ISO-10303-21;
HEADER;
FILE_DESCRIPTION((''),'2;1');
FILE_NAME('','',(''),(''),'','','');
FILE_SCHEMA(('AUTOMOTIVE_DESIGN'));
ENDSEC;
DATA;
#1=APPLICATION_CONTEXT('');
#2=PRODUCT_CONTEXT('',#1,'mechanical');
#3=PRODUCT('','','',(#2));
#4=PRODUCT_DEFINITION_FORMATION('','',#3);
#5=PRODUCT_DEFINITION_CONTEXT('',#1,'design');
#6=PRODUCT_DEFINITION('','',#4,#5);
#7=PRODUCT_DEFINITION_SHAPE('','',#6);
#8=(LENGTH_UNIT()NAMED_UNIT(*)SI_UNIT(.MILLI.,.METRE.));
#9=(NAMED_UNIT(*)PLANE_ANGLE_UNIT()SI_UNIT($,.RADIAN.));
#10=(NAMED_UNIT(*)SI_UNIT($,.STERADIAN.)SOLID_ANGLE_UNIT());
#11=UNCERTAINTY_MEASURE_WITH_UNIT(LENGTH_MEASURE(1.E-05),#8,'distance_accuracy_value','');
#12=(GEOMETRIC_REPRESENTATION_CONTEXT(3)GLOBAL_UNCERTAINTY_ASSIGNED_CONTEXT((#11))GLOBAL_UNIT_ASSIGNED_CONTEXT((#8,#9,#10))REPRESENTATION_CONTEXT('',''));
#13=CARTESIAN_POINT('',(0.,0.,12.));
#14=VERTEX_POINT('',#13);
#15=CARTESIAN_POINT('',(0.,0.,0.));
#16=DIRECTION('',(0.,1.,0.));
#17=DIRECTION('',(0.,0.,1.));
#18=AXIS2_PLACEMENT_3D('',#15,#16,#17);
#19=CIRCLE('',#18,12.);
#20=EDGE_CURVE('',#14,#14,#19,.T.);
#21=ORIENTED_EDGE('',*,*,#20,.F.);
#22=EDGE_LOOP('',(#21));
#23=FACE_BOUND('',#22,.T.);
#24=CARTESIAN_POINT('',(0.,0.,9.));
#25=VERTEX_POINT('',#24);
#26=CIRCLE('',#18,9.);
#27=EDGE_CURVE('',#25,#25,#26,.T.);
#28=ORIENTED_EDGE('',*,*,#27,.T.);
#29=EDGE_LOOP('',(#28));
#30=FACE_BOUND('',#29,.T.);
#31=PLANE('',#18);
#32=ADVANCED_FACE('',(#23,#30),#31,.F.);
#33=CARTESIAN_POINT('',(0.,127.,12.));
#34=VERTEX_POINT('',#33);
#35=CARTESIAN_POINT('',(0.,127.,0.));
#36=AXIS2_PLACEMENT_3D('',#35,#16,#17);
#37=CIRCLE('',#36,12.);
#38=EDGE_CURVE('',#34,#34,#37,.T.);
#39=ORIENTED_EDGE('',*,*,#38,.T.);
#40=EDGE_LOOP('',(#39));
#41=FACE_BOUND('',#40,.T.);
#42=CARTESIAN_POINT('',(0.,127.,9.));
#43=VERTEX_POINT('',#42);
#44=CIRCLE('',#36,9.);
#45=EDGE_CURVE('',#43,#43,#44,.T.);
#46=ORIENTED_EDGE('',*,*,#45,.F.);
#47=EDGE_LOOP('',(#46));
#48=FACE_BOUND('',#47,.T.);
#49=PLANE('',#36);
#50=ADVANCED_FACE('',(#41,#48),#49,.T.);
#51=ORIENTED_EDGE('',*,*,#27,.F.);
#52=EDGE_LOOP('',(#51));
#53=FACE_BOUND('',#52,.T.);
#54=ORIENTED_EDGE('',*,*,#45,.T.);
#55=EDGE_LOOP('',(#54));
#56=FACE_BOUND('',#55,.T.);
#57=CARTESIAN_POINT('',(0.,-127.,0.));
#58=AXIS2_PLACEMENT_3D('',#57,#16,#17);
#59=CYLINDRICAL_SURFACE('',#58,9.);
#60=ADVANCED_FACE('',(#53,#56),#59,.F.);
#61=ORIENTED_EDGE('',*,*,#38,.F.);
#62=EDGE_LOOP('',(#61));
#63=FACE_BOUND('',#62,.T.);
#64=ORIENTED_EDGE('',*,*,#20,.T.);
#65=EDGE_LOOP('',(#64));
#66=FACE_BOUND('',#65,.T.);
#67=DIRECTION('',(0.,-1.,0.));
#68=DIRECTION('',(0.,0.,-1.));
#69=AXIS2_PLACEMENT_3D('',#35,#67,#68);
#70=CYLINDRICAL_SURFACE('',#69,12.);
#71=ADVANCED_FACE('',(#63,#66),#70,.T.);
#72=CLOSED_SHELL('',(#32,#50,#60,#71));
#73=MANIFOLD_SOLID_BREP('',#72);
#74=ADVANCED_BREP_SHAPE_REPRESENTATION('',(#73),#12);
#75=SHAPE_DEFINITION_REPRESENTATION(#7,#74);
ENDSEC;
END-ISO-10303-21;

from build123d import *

# Parameters (mm, degrees)
SKETCH1_R           = 12
BOSS_EXTRUDE1_DEPTH = 127
SKETCH2_R           = 9
CUT_EXTRUDE1_DEPTH  = 254


with BuildPart() as part:
    # Sketch1 → Boss-Extrude1 (new body)
    with BuildSketch(Plane(origin=(0, 0, 0), x_dir=(1, 0, 0), z_dir=(0, 1, 0))):
        with Locations(Location((0, 0, 0), (0, 0, 270))):
            Circle(SKETCH1_R)
    extrude(amount=BOSS_EXTRUDE1_DEPTH)

    # Sketch2 → Cut-Extrude1 (cut)
    with BuildSketch(Plane(origin=(0, 127, 0), x_dir=(1, 0, 0), z_dir=(0, 1, 0))):
        with Locations(Location((0, 0, 0), (0, 0, 270))):
            Circle(SKETCH2_R)
    extrude(amount=-CUT_EXTRUDE1_DEPTH, mode=Mode.SUBTRACT)


solid = part.part
